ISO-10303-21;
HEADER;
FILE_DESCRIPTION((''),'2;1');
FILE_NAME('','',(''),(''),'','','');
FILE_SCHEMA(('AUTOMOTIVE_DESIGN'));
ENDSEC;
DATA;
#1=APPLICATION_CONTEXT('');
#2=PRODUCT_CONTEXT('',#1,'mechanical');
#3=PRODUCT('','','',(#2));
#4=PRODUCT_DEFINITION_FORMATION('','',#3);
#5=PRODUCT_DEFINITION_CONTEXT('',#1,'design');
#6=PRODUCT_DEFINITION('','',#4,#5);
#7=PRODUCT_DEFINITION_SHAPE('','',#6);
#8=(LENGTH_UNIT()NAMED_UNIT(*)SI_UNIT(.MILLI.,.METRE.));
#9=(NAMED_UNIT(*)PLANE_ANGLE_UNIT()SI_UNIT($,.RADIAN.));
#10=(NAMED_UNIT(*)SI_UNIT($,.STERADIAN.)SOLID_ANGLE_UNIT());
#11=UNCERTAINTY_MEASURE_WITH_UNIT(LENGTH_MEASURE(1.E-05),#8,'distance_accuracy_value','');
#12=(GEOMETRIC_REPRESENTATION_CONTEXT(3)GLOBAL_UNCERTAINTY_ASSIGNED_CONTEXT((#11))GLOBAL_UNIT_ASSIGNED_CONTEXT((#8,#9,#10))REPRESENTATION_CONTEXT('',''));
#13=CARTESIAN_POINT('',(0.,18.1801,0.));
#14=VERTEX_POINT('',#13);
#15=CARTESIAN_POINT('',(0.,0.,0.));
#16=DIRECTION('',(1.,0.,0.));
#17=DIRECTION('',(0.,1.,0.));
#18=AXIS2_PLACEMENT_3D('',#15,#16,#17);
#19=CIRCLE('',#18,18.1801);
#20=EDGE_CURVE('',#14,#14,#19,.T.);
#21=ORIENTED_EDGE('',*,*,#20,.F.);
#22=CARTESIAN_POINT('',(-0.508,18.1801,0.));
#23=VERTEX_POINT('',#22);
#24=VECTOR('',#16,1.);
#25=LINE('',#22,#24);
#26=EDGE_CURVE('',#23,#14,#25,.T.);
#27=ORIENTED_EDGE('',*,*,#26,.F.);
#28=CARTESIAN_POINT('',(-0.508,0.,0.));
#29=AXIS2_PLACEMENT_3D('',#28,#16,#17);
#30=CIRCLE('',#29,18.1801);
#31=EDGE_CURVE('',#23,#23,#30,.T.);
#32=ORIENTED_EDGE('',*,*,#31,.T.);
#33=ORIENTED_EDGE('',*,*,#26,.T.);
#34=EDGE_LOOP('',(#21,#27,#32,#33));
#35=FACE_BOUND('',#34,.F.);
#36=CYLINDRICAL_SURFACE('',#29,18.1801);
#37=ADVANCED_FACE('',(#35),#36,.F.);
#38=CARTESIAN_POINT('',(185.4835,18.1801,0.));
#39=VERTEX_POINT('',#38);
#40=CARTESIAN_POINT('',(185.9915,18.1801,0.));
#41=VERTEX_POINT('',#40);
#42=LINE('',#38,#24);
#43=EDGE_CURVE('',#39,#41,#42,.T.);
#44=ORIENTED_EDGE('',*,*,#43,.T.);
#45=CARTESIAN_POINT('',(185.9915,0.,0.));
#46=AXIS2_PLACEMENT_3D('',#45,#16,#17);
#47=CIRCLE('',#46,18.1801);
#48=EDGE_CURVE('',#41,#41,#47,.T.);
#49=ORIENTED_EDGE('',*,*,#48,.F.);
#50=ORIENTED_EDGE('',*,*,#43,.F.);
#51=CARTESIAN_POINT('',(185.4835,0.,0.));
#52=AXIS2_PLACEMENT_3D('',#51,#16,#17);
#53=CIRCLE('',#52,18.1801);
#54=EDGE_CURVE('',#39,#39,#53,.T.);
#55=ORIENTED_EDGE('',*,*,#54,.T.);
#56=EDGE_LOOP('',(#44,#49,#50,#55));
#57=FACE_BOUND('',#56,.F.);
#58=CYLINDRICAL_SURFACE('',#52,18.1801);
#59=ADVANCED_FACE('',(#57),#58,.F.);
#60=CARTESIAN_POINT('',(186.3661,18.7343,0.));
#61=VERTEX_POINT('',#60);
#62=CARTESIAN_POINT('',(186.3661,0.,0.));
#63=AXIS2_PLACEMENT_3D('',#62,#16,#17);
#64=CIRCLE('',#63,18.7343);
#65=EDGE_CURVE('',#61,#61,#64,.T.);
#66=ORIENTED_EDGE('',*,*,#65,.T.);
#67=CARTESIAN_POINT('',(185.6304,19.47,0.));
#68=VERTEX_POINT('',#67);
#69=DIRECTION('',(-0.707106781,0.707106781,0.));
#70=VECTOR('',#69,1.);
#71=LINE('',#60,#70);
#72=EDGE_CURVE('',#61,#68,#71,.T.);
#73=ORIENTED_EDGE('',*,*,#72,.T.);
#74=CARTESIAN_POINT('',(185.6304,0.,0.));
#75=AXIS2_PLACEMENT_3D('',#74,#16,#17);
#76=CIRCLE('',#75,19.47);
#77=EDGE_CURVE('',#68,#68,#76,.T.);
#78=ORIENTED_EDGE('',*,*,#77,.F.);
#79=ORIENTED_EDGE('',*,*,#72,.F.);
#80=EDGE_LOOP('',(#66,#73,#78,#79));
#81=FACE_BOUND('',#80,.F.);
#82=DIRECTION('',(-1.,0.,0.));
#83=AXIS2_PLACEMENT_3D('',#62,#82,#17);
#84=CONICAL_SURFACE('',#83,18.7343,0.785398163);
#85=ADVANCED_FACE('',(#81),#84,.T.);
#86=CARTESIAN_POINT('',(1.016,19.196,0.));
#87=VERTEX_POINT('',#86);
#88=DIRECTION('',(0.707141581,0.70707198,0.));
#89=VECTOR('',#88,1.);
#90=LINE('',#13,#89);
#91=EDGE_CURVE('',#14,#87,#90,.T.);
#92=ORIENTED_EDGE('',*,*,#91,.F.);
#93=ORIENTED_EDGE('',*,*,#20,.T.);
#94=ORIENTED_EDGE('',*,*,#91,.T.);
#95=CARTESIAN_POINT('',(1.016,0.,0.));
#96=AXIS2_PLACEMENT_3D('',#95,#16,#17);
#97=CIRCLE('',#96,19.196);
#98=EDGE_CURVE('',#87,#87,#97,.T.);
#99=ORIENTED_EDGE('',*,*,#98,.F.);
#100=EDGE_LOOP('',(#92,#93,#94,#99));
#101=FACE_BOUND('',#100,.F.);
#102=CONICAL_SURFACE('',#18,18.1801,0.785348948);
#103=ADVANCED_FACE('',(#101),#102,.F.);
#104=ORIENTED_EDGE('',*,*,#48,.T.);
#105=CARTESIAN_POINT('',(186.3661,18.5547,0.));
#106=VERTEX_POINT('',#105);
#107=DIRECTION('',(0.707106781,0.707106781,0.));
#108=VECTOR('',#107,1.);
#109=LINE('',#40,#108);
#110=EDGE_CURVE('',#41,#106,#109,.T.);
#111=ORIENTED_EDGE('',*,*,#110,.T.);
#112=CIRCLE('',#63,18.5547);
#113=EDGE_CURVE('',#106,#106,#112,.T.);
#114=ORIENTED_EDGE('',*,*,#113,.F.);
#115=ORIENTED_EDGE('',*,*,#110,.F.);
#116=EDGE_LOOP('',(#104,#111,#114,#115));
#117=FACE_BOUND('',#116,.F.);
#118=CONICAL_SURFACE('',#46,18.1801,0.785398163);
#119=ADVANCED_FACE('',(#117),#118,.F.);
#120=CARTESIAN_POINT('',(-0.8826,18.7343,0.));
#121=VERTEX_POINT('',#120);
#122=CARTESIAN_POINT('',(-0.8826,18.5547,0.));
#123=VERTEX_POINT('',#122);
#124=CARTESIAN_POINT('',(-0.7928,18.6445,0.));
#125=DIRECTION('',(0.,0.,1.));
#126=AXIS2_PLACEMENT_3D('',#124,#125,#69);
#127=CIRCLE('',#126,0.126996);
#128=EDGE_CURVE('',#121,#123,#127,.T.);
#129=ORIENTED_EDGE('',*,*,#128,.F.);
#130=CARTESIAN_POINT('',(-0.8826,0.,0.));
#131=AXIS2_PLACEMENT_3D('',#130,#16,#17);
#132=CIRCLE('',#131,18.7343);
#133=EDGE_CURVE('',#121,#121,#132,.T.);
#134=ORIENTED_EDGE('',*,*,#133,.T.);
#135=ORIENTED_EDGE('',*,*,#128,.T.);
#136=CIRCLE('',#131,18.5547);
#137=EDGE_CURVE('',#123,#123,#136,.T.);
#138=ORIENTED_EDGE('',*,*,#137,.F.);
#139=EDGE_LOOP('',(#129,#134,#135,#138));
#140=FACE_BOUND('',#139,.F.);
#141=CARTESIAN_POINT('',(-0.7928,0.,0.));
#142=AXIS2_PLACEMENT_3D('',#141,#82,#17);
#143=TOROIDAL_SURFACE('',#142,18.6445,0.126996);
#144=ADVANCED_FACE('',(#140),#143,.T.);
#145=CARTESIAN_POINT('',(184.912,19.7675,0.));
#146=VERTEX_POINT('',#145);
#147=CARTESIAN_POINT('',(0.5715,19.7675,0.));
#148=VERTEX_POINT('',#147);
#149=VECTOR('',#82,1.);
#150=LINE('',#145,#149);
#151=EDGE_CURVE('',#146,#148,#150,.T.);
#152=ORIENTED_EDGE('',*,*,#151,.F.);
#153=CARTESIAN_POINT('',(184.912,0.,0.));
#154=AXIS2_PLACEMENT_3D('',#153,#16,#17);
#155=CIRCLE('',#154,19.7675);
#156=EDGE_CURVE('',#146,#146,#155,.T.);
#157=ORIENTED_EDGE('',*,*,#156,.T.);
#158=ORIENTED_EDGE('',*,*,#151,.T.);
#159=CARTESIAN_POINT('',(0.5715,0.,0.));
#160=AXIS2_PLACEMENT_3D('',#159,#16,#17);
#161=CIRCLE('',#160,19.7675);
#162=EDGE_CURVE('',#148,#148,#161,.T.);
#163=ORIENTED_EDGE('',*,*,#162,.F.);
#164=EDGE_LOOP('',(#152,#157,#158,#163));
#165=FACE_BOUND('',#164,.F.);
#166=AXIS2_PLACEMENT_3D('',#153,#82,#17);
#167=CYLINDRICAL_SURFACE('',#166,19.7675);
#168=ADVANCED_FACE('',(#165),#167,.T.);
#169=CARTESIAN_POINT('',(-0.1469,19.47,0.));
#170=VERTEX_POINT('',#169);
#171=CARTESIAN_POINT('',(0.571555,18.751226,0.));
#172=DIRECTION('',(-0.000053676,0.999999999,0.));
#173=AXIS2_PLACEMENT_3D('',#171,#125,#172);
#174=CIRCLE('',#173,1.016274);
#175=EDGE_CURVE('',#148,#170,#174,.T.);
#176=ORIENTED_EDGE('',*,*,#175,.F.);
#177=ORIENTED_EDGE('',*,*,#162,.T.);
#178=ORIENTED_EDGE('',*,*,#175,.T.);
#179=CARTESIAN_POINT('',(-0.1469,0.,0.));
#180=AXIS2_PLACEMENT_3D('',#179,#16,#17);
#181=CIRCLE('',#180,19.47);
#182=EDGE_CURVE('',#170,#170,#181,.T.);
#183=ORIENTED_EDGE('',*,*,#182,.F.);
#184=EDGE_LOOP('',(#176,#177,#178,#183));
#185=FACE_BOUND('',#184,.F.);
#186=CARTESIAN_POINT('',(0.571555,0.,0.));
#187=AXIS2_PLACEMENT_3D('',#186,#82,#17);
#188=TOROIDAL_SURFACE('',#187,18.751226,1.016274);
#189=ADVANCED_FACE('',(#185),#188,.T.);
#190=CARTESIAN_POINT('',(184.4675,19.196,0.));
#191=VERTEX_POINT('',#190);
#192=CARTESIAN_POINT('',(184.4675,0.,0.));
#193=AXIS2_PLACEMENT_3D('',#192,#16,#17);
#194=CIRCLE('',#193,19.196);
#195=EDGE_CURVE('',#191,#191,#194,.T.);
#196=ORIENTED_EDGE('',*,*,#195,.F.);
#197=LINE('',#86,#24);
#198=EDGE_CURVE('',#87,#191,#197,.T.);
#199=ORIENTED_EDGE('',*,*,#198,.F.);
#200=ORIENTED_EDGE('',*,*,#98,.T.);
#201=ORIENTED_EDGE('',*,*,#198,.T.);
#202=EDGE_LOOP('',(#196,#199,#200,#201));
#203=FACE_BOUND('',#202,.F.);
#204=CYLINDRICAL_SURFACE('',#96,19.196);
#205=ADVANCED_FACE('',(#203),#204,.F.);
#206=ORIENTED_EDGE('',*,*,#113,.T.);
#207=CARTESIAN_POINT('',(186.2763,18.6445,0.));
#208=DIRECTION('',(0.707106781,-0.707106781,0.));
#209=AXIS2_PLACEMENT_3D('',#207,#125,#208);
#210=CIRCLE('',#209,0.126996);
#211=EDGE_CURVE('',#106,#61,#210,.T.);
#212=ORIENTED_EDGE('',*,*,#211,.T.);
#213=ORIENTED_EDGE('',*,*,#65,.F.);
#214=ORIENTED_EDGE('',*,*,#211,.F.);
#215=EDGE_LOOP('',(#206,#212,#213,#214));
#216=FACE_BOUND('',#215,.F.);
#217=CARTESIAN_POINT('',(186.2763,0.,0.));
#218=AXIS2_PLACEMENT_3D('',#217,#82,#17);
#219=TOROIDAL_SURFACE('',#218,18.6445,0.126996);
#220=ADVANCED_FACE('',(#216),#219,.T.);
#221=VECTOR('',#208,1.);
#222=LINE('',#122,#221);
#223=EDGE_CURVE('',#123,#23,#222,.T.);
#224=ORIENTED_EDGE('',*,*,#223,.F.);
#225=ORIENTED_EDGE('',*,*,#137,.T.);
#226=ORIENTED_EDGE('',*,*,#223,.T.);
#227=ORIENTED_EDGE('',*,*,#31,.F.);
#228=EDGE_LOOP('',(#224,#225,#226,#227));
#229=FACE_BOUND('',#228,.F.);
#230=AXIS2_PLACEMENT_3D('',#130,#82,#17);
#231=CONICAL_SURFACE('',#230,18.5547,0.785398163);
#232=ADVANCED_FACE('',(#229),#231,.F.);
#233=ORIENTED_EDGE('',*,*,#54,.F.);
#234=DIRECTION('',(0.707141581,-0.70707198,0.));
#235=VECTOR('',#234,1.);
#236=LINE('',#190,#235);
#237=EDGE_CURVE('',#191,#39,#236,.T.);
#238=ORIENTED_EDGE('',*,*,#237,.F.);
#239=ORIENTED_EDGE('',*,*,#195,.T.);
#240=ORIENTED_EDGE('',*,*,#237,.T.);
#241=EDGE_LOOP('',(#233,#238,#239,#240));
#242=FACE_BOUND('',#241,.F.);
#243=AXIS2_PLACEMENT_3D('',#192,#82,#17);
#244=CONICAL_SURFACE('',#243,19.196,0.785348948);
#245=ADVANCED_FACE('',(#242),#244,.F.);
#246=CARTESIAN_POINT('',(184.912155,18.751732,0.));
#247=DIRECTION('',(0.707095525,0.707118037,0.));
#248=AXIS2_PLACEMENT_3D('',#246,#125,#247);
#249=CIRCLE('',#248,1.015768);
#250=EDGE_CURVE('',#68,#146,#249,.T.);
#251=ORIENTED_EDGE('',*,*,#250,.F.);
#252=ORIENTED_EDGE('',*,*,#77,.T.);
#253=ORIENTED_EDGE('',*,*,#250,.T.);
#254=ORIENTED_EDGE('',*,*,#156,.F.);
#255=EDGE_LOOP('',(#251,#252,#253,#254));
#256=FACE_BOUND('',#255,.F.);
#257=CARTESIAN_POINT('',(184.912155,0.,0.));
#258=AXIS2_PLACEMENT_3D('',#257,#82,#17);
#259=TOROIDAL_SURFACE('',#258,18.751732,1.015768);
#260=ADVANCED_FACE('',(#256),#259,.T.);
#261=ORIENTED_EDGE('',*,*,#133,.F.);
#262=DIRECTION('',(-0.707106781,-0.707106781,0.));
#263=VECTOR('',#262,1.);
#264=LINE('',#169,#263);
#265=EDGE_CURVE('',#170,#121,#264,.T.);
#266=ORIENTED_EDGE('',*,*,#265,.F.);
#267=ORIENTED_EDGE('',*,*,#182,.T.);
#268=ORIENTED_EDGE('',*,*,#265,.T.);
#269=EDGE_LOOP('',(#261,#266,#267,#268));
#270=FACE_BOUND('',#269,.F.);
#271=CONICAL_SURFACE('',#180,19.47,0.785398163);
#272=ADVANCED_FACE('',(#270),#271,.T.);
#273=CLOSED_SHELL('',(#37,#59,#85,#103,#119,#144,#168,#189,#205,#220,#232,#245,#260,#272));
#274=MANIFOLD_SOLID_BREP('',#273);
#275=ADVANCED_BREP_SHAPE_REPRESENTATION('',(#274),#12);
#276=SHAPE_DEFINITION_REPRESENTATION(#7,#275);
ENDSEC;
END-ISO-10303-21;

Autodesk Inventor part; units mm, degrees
sketch "Sketch_1" plane through (0, 0, 0) normal (0, 0, 1) x (1, 0, 0)
  line L0 (185.4835, 0) -> (0, 0)
  arc A0 (-0.8826, 18.7343) -> (-0.8826, 18.5547) centre (-0.7928, 18.6445) ccw
  line L1 (-0.8826, 18.5547) -> (-0.508, 18.1801)
  line L2 (-0.508, 18.1801) -> (0, 18.1801)
  line L3 (0, 18.1801) -> (1.016, 19.196)
  line L4 (1.016, 19.196) -> (184.4675, 19.196)
  line L5 (184.4675, 19.196) -> (185.4835, 18.1801)
  line L6 (185.4835, 18.1801) -> (185.9915, 18.1801)
  line L7 (185.9915, 18.1801) -> (186.3661, 18.5547)
  arc A1 (186.3661, 18.5547) -> (186.3661, 18.7343) centre (186.2763, 18.6445) ccw
  line L8 (186.3661, 18.7343) -> (185.6304, 19.47)
  arc A2 (185.6304, 19.47) -> (184.912, 19.7675) centre (184.912, 18.7515) ccw
  line L9 (184.912, 19.7675) -> (0.5715, 19.7675)
  arc A3 (0.5715, 19.7675) -> (-0.1469, 19.47) centre (0.5715, 18.7515) ccw
  line L10 (-0.1469, 19.47) -> (-0.8826, 18.7343)
revolve "Revolution1" add sketch "Sketch_1" angle 360 about axis through (185.4835, 0, 0) along (1, 0, 0)
ref_plane "cp1_XY" through (92.7417, 19.7675, 0) normal (1, 0, 0) x (0, 0, -1)
ref_plane "cp1_YZ" through (92.7417, 19.7675, 0) normal (0, 0, -1) x (0, 1, 0)
ref_plane "cp1_ZX" through (92.7417, 19.7675, 0) normal (0, 1, 0) x (1, 0, 0)
ref_plane "cp2_XY" through (92.7417, 0, -19.7675) normal (1, 0, 0) x (0, 0, -1)
ref_plane "cp2_YZ" through (92.7417, 0, -19.7675) normal (0, 0, -1) x (0, 1, 0)
ref_plane "cp2_ZX" through (92.7417, 0, -19.7675) normal (0, 1, 0) x (1, 0, 0)
ref_plane "cp3_XY" through (92.7417, -19.7675, 0) normal (1, 0, 0) x (0, 0, -1)
ref_plane "cp3_YZ" through (92.7417, -19.7675, 0) normal (0, 0, -1) x (0, 1, 0)
ref_plane "cp3_ZX" through (92.7417, -19.7675, 0) normal (0, 1, 0) x (1, 0, 0)
ref_plane "cp4_XY" through (92.7417, 0, 19.7675) normal (1, 0, 0) x (0, 0, -1)
ref_plane "cp4_YZ" through (92.7417, 0, 19.7675) normal (0, 0, -1) x (0, 1, 0)
ref_plane "cp4_ZX" through (92.7417, 0, 19.7675) normal (0, 1, 0) x (1, 0, 0)
ref_plane "tube_front_XY" through (0, 0, 0) normal (1, 0, 0) x (0, 0, -1)
ref_plane "tube_front_YZ" through (0, 0, 0) normal (0, 0, -1) x (0, 1, 0)
ref_plane "tube_front_ZX" through (0, 0, 0) normal (0, 1, 0) x (1, 0, 0)
ref_plane "tube_rear_XY" through (185.4835, 0, 0) normal (1, 0, 0) x (0, 0, -1)
ref_plane "tube_rear_YZ" through (185.4835, 0, 0) normal (0, 0, -1) x (0, 1, 0)
ref_plane "tube_rear_ZX" through (185.4835, 0, 0) normal (0, 1, 0) x (1, 0, 0)
properties part number "17R-7.30250C" material "Steel"
